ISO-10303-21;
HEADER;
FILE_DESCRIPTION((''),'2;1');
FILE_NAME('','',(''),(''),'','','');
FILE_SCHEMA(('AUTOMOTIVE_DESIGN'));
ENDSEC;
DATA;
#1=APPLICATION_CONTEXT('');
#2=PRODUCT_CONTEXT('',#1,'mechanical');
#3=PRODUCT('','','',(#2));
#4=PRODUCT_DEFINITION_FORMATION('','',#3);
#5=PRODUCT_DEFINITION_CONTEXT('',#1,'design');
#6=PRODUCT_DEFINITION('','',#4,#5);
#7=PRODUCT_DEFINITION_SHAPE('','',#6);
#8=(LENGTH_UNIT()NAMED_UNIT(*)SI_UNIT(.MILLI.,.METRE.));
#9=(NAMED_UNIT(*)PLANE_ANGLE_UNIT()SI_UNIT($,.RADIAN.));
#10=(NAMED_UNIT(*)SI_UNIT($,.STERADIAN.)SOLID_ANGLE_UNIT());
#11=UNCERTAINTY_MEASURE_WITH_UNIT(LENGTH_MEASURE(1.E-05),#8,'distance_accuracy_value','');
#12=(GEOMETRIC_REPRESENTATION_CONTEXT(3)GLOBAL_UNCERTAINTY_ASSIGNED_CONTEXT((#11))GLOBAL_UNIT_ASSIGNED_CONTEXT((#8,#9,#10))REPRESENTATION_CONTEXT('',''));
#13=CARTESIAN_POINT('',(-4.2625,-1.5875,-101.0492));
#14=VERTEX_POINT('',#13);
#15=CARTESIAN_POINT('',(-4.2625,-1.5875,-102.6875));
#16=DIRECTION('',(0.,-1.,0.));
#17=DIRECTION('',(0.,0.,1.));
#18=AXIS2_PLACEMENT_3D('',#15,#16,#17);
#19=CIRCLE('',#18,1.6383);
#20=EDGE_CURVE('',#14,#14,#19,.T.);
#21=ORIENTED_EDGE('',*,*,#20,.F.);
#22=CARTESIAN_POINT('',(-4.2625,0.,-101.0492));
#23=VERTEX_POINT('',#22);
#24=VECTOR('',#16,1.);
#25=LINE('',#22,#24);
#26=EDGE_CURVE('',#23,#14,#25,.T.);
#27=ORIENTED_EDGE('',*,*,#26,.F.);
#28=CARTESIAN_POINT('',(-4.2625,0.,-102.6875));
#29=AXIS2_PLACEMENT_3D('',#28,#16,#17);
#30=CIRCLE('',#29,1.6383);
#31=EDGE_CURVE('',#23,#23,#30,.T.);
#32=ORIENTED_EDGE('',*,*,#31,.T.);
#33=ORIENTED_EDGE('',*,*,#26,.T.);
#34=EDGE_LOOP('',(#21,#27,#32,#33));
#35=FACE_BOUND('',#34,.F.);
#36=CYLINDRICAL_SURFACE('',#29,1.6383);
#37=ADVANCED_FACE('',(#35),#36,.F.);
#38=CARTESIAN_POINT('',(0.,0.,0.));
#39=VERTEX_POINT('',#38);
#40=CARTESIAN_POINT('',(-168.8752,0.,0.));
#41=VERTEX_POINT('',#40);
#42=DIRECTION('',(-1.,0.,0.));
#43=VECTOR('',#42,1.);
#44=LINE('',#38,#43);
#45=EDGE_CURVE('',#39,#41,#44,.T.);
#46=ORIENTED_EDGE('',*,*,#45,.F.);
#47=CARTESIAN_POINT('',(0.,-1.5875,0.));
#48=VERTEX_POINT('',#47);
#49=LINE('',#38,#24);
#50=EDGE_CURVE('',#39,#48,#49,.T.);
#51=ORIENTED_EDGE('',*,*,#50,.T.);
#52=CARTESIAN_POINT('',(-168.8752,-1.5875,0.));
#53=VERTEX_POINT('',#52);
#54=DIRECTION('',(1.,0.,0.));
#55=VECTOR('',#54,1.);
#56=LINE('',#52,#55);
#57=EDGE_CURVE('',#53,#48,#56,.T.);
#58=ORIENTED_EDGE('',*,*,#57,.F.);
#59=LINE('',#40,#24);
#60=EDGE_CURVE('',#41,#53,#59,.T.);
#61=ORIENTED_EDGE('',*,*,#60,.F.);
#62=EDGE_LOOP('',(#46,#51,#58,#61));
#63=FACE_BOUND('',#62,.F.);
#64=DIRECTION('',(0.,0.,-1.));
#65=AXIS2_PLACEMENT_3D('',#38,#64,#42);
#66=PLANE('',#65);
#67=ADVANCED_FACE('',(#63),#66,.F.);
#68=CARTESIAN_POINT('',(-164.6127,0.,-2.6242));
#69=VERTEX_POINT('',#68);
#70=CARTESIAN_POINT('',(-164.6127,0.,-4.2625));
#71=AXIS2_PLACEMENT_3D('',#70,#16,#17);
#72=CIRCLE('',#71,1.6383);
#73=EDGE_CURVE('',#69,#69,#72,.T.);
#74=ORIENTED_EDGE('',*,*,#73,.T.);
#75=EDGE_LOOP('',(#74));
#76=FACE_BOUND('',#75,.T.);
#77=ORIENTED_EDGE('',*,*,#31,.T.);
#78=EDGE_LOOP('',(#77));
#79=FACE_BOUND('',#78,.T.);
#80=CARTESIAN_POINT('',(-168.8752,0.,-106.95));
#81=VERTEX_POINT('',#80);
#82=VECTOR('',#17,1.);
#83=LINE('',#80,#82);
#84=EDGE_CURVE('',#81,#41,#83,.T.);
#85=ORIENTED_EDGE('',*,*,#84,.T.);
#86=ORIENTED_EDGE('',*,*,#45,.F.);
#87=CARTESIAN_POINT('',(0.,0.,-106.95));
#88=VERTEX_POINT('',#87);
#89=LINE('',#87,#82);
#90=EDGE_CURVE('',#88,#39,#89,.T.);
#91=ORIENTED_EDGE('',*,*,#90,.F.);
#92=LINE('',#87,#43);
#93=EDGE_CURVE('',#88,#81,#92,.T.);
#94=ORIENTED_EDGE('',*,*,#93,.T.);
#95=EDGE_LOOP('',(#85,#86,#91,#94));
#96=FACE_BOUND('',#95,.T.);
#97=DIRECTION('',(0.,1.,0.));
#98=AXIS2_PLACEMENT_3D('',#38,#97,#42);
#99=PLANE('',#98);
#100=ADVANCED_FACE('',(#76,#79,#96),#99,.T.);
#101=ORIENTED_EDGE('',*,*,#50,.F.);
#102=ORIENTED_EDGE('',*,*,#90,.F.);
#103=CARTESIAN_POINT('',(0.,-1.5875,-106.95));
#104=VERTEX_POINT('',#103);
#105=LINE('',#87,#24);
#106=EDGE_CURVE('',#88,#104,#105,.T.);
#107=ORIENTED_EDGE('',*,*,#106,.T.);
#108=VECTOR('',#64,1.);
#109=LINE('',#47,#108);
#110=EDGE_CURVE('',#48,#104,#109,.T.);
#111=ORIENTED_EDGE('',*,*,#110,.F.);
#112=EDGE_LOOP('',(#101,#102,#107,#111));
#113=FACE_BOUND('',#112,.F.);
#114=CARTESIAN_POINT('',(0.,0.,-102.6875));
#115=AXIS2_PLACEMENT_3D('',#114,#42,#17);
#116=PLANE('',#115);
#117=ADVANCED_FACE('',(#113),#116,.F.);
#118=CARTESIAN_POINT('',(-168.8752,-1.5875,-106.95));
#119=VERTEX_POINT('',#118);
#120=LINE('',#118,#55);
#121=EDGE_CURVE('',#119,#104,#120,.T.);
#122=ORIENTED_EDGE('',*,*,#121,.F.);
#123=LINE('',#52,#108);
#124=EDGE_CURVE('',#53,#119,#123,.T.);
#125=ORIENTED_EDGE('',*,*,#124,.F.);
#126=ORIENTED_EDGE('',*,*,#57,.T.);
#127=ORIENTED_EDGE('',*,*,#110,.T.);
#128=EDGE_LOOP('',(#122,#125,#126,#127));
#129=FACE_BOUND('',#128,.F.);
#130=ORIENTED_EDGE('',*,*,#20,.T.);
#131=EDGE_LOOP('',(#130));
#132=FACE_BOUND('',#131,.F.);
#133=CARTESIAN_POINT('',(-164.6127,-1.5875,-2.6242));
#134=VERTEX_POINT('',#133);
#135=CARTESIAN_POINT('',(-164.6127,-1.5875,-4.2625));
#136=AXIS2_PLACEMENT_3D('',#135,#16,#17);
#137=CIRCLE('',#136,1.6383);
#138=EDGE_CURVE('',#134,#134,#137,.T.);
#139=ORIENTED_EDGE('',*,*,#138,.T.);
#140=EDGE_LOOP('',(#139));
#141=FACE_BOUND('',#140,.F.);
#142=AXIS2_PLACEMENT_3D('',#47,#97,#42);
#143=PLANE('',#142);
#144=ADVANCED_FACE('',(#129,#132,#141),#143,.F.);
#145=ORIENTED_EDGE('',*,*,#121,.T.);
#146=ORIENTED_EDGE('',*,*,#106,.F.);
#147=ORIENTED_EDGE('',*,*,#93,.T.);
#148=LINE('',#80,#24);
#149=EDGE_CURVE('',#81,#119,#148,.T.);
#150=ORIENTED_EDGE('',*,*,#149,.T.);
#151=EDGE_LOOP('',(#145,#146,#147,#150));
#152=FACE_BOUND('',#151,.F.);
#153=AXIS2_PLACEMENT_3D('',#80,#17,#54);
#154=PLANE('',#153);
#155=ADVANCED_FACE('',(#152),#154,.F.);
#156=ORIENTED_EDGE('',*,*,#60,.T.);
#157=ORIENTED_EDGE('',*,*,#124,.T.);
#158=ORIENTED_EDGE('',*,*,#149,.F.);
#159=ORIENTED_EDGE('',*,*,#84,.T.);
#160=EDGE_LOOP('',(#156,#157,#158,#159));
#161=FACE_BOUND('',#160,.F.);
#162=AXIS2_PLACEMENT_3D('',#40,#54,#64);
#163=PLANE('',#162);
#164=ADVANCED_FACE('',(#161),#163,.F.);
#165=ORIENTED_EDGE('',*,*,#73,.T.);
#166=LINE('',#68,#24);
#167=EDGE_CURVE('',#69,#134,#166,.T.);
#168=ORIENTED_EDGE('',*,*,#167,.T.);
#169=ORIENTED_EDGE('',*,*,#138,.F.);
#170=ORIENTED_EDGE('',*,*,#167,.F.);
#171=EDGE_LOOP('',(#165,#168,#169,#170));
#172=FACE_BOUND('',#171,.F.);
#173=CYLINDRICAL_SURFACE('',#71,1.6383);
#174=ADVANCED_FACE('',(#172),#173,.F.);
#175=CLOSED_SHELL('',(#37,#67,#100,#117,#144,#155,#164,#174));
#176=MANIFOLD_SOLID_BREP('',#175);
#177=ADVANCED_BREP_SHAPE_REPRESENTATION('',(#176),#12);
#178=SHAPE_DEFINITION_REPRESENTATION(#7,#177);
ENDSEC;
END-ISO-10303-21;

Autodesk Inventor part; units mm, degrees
ref_plane "YZ Plane" through (0, 0, 0) normal (1, 0, 0) x (0, 1, 0)
ref_plane "XZ Plane" through (0, 0, 0) normal (0, 1, 0) x (-1, 0, 0)
ref_plane "XY Plane" through (0, 0, 0) normal (0, 0, 1) x (1, 0, 0)
sketch "Sketch1" plane through (0, 0, 0) normal (0, 1, 0) x (-1, 0, 0)
  line L0 (0, 0) -> (168.8752, 0)
  line L1 (168.8752, 0) -> (168.8752, -106.95)
  line L2 (168.8752, -106.95) -> (0, -106.95)
  line L3 (0, -106.95) -> (0, 0)
  line L4 (0, -106.95) -> (4.2625, -106.95)
  line L5 (4.2625, -106.95) -> (4.2625, -102.6875)
  line L6 (4.2625, -102.6875) -> (0, -102.6875)
  line L7 (0, -102.6875) -> (0, -106.95)
  line L8 (168.8752, 0) -> (164.6127, 0)
  line L9 (164.6127, 0) -> (164.6127, -4.2625)
  line L10 (164.6127, -4.2625) -> (168.8752, -4.2625)
  line L11 (168.8752, -4.2625) -> (168.8752, 0)
  dimension "d0" = 168.8752
  dimension "d1" = 106.95
  dimension "d2" = 4.2625
  dimension "d3" = 4.2625
  dimension "d4" = 4.2625
  dimension "d5" = 4.2625
extrude "Extrusion1" add sketch "Sketch1" against normal blind 1.5875
hole "Hole1" at (-164.6127, 0, -4.2625) at (-4.2625, 0, -102.6875) direction (0, -1, 0) diameter 3.2766 end through all clearance for "Flat Head Machine Screw (82)" size "#4" standard "Ansi Unified Screw Threads"
properties part number "Compute Module Cover for RoadBot Rail-r2"
